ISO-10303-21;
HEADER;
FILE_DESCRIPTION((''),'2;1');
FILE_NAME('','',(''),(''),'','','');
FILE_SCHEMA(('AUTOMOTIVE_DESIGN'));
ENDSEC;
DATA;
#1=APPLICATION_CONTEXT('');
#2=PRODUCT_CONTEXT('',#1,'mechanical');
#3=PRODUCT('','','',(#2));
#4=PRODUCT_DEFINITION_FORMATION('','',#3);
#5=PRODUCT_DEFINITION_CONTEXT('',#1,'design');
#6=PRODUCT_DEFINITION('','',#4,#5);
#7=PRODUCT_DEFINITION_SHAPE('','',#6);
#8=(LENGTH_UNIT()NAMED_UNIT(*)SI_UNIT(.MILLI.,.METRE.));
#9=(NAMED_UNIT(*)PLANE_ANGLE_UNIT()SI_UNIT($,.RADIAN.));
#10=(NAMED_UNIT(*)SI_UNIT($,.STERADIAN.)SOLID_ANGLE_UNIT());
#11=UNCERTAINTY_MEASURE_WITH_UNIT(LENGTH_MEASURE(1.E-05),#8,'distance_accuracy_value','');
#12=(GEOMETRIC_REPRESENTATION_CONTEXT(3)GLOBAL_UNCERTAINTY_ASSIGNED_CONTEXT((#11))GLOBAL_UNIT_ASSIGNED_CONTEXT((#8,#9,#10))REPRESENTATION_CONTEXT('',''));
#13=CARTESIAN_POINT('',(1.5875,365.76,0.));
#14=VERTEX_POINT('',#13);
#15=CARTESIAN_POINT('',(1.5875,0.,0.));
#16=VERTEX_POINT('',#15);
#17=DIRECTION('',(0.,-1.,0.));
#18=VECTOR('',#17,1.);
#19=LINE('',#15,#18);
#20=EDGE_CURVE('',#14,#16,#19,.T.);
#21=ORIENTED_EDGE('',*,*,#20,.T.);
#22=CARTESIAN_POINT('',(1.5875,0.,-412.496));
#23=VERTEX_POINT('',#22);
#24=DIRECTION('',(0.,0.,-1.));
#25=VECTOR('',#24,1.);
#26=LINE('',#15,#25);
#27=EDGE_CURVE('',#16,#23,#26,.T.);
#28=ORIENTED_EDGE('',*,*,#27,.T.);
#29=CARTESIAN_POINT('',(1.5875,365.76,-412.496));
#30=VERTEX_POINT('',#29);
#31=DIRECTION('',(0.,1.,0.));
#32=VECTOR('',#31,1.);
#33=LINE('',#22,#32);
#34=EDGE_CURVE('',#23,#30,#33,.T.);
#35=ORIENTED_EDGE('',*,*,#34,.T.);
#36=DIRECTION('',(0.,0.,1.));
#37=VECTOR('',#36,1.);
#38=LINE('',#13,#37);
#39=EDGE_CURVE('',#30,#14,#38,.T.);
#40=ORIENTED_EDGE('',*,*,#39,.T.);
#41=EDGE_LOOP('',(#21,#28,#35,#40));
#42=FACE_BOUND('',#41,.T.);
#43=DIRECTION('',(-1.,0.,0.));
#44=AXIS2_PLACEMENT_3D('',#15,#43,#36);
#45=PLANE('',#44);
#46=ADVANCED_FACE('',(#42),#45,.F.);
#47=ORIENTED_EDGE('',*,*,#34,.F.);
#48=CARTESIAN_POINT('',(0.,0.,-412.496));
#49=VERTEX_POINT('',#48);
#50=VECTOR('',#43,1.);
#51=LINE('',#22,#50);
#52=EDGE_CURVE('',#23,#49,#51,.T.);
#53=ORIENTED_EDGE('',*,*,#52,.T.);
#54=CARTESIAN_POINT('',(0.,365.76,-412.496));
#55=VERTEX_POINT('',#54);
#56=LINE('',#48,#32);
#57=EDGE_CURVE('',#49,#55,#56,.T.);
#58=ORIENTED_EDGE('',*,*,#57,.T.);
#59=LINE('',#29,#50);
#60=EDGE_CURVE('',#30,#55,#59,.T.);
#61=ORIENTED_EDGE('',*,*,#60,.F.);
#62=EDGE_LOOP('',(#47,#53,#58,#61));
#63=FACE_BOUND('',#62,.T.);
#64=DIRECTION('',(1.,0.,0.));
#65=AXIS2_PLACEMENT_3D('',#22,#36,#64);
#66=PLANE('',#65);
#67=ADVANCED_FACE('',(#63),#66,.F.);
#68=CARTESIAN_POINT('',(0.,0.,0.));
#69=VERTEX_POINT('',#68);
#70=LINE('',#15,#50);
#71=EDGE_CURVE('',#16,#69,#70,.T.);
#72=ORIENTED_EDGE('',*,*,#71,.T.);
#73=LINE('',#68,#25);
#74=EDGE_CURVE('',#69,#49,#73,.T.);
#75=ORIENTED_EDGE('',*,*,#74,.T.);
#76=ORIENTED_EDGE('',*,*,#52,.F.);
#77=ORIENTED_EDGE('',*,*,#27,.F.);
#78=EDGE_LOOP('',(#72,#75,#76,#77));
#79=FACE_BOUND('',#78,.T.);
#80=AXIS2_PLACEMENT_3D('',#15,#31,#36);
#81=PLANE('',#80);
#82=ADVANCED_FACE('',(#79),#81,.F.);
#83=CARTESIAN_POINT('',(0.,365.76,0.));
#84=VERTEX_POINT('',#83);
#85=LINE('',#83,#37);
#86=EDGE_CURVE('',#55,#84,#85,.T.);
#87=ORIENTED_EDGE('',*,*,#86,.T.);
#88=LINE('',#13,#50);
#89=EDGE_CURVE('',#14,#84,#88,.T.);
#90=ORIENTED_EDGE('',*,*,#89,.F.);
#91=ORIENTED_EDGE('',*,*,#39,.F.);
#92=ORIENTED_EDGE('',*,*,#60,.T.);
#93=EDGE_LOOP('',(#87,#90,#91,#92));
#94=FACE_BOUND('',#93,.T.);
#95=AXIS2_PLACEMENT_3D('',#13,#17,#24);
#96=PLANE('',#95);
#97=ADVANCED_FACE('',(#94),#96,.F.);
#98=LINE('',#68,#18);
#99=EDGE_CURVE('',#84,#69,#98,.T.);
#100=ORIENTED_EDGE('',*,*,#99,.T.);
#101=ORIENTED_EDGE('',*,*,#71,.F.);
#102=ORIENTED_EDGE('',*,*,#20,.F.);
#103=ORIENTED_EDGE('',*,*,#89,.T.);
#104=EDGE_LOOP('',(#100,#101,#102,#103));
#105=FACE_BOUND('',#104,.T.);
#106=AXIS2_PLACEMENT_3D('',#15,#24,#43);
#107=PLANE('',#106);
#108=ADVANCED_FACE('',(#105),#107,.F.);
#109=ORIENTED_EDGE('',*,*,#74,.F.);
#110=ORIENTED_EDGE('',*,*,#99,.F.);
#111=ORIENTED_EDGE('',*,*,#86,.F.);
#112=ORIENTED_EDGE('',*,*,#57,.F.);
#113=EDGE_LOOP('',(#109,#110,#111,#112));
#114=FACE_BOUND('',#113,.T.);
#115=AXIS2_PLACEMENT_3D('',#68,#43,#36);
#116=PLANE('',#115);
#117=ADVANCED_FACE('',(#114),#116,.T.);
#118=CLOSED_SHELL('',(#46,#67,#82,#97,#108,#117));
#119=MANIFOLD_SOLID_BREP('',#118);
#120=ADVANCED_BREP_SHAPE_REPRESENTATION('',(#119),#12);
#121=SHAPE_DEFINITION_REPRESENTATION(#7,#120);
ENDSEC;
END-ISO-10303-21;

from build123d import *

# Parameters (mm, degrees)
SKETCH2_W = 412.496
SKETCH2_H = 365.76
PCB_DEPTH = 1.5875


with BuildPart() as part:
    # Sketch2 → PCB (new body)
    with BuildSketch(Plane(origin=(0, 0, 0), x_dir=(0, 0, -1), z_dir=(1, 0, 0))):
        with Locations((206.248, 182.88)):
            Rectangle(SKETCH2_W, SKETCH2_H)
    extrude(amount=PCB_DEPTH)


solid = part.part
